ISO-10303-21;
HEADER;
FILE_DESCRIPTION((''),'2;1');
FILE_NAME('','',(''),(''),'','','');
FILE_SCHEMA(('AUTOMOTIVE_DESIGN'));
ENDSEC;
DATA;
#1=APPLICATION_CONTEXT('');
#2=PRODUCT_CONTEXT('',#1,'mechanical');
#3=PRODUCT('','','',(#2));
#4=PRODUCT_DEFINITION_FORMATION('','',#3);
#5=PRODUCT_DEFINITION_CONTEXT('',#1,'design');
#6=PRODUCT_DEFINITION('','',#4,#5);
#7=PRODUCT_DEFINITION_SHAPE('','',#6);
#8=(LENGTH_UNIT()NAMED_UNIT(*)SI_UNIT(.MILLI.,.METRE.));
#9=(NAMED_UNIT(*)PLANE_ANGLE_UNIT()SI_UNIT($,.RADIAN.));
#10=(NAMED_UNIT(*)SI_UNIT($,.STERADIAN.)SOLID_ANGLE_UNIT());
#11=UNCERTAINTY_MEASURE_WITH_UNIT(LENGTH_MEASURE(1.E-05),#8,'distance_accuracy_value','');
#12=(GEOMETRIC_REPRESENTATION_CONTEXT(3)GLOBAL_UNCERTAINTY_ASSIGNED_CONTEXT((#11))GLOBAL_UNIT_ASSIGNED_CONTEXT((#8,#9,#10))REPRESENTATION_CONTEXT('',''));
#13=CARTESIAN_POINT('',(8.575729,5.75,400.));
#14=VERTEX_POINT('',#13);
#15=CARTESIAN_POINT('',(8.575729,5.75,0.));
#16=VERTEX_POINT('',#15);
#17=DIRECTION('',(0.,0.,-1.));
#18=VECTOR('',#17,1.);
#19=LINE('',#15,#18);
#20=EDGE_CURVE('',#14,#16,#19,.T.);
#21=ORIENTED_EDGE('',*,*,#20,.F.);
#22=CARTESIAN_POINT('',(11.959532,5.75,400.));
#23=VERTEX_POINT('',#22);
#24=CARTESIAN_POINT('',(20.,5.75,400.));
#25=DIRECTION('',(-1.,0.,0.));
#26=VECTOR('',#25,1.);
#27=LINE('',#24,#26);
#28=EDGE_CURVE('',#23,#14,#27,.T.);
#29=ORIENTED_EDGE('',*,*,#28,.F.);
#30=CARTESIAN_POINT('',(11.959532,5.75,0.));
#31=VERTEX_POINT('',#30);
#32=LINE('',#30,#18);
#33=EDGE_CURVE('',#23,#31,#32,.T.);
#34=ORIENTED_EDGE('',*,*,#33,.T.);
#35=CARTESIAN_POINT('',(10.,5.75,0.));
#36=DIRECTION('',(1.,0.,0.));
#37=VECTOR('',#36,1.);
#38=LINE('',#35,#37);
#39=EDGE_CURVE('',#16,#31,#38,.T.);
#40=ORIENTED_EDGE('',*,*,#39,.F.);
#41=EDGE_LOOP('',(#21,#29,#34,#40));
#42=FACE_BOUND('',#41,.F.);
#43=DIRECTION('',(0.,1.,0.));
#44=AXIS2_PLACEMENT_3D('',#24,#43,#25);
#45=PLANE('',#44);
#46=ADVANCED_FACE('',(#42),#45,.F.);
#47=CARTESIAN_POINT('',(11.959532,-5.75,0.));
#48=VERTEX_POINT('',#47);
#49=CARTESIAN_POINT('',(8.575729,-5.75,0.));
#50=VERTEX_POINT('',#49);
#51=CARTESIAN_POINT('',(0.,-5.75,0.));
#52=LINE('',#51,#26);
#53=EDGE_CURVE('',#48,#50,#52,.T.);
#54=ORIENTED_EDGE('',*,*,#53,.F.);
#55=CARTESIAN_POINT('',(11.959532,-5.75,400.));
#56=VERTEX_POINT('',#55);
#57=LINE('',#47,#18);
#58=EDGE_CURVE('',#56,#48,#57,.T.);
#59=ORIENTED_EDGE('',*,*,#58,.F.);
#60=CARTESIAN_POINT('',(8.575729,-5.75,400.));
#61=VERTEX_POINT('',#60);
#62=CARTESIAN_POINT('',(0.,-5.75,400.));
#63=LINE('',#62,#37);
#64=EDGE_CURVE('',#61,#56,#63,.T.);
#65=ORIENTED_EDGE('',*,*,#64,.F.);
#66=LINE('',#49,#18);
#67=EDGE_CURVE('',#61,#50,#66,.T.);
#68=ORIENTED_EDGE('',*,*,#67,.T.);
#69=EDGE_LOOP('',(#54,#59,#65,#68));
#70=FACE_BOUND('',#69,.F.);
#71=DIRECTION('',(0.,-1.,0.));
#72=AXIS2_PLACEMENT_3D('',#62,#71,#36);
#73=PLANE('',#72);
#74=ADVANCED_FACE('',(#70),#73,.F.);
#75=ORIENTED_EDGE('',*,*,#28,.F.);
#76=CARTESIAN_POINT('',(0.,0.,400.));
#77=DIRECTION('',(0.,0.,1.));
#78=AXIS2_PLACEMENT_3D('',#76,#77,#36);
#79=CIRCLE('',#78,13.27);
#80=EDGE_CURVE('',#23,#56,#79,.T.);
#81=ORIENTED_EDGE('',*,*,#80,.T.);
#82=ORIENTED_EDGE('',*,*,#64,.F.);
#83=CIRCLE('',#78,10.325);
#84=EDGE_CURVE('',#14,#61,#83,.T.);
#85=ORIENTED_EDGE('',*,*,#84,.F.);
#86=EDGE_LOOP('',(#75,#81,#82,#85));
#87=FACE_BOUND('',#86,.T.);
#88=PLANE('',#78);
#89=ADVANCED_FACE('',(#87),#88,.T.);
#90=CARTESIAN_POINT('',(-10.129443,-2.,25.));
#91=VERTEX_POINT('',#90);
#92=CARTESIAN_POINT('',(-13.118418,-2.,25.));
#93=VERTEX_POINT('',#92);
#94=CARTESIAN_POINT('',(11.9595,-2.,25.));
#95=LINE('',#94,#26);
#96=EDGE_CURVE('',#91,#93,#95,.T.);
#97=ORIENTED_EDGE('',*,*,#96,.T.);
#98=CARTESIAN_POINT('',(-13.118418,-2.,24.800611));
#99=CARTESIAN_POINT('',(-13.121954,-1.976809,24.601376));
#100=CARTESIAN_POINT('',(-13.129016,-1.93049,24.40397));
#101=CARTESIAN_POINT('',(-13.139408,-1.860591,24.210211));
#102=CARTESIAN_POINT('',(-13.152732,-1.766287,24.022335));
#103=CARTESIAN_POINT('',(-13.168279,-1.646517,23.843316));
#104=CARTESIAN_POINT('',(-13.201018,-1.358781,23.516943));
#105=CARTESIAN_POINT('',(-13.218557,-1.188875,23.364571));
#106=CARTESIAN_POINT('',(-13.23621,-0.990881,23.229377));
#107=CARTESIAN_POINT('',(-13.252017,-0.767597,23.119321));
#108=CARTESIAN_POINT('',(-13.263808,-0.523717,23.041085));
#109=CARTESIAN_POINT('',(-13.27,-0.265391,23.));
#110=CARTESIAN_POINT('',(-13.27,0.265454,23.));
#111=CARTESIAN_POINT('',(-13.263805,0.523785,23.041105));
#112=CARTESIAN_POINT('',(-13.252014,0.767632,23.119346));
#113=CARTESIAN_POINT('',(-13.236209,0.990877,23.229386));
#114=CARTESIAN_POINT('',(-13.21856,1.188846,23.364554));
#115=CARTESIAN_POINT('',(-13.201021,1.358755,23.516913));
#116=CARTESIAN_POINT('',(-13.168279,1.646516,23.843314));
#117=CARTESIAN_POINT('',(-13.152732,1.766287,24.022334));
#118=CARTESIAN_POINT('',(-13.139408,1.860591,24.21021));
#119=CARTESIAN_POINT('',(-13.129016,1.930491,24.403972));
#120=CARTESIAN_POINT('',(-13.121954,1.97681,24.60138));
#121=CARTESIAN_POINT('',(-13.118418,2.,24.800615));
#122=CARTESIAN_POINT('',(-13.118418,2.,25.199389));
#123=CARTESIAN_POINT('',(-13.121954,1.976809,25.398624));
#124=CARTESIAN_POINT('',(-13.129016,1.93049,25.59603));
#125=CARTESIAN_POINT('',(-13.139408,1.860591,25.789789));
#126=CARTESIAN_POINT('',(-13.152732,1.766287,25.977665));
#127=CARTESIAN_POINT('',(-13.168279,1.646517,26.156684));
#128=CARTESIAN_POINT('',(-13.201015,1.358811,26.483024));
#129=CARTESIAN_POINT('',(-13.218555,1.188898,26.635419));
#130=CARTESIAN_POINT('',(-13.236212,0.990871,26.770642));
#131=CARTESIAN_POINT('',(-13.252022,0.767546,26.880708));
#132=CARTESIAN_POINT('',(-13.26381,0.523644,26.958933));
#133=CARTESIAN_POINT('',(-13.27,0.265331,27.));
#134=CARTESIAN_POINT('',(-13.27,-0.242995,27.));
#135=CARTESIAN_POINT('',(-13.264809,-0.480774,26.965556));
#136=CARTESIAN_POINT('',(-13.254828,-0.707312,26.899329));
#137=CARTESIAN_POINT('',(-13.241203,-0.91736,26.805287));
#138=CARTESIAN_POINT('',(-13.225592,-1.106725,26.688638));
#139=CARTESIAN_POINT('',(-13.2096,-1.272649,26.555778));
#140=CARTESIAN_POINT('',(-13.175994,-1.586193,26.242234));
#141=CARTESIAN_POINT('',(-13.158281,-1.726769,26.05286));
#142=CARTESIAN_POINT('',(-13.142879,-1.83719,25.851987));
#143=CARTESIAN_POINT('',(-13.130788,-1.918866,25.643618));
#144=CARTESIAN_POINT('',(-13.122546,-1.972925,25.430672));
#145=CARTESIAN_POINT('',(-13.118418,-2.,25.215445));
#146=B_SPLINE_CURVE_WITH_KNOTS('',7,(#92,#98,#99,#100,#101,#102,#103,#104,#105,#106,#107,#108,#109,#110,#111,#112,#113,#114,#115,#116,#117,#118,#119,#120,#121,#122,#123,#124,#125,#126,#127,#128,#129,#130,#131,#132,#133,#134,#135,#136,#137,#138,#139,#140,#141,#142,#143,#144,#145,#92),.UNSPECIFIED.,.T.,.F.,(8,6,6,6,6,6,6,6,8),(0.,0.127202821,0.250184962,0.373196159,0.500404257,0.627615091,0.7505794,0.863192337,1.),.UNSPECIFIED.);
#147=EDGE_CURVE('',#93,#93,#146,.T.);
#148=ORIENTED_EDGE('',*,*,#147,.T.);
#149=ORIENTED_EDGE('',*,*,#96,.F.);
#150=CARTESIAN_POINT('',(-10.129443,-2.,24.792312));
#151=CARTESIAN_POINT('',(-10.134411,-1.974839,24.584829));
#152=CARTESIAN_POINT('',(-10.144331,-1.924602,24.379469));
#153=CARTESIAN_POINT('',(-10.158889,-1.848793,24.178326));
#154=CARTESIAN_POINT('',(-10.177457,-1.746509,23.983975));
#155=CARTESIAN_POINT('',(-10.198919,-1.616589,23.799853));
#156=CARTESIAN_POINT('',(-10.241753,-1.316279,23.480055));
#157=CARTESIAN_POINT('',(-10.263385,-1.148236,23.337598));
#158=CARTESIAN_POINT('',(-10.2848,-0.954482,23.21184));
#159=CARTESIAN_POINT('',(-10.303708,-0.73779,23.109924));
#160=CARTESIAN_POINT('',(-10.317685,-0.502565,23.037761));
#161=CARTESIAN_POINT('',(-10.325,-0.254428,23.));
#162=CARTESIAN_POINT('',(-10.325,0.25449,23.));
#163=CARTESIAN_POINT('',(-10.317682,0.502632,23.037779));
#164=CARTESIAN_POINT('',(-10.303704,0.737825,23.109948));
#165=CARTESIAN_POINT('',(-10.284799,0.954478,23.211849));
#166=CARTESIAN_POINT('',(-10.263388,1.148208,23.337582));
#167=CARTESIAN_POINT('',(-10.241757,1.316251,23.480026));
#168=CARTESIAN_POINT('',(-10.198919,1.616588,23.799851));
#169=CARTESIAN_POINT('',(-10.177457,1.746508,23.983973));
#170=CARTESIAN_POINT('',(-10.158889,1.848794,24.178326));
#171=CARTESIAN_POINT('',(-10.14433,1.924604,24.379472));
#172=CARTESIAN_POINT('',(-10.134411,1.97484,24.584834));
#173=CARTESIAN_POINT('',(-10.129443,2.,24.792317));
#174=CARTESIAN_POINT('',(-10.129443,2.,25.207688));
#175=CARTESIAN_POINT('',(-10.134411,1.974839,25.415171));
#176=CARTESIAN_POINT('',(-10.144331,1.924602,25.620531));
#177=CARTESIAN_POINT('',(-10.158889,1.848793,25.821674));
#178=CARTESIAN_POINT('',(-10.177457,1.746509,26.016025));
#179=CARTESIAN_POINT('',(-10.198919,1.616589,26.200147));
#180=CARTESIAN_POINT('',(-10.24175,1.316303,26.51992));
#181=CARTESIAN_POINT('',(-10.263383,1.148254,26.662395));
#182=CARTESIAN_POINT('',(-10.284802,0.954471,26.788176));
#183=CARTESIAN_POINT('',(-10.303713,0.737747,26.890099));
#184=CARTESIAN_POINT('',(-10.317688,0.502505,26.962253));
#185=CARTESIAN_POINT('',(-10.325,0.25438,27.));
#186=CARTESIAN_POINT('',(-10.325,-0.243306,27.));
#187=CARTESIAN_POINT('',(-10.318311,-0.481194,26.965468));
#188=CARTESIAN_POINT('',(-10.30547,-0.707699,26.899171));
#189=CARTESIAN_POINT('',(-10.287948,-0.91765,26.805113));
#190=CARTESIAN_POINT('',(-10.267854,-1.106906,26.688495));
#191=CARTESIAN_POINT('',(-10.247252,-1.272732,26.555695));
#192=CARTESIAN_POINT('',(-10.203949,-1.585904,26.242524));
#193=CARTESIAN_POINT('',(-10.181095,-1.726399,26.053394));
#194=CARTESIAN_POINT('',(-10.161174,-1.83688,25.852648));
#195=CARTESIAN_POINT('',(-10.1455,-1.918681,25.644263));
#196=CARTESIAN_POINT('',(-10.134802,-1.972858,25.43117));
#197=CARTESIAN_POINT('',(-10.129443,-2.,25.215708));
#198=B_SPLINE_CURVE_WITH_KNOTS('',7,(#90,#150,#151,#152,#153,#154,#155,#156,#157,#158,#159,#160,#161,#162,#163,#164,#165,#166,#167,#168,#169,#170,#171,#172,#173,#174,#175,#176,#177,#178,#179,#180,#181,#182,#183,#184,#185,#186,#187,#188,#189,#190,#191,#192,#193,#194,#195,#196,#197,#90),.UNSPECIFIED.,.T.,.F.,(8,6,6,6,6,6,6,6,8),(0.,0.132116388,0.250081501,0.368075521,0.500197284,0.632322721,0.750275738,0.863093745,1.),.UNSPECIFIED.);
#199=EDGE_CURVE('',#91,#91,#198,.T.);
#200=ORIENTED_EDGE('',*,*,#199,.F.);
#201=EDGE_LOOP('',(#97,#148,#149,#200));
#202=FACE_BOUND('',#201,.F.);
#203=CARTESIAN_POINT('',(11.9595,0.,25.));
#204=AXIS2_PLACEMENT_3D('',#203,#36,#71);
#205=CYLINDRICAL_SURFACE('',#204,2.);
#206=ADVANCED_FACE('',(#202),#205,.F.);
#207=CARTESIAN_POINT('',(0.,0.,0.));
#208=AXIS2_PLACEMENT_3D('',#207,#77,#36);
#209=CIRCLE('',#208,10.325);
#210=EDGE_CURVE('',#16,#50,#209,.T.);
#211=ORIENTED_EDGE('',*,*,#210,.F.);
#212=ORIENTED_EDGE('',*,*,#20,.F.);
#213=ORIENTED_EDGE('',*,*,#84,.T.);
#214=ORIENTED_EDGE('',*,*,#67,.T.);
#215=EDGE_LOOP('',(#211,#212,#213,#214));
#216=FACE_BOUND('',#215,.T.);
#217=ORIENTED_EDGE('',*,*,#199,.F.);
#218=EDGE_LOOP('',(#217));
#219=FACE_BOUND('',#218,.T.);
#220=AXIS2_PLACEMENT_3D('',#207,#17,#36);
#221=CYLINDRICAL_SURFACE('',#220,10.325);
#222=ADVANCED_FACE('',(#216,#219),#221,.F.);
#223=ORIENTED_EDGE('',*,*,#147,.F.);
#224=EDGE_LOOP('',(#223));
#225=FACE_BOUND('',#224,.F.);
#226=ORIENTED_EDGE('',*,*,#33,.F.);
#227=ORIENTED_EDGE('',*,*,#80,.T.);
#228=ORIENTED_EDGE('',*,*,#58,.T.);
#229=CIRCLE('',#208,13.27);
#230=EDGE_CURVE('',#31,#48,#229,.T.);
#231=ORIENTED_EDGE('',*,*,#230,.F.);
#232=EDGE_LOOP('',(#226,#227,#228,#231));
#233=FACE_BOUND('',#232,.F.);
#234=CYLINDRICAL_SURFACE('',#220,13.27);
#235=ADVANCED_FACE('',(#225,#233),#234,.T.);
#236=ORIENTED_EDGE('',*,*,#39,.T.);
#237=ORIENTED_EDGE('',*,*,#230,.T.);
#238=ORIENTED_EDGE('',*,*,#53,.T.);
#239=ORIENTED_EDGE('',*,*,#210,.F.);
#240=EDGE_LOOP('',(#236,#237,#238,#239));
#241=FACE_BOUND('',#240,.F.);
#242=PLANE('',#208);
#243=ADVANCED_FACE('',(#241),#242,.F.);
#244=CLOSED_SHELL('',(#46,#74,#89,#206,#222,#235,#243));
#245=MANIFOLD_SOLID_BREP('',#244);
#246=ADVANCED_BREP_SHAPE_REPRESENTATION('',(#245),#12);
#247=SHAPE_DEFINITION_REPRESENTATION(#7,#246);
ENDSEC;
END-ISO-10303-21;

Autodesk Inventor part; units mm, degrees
ref_plane "YZ Plane" through (0, 0, 0) normal (1, 0, 0) x (0, 1, 0)
ref_plane "XZ Plane" through (0, 0, 0) normal (0, 1, 0) x (-1, 0, 0)
sketch "Sketch1" plane through (0, 0, 0) normal (0, 0, 1) x (1, 0, 0)
  circle A0 centre (0, 0) radius 13.27
  circle A1 centre (0, 0) radius 10.325
  dimension "d0" = 26.54
  dimension "d1" = 20.65
extrude "Extrusion1" add sketch "Sketch1" along normal blind 400
sketch "Sketch6" plane through (0, 0, 400) normal (0, 0, 1) x (1, 0, 0)
  line L0 (0, -5.75) -> (20, -5.75)
  line L1 (20, -5.75) -> (20, 5.75)
  line L2 (20, 5.75) -> (0, 5.75)
  line L3 (0, 5.75) -> (0, -5.75)
  point P0 (0, 0)
  point P1 (0, 0)
  dimension "d13" = 20
  dimension "d14" = 11.5
extrude "Extrusion5" cut sketch "Sketch6" against normal up to next
ref_plane "Work Plane2" through (11.9595, 5.75, 400) normal (1, 0, 0) x (0, -1, 0)
sketch "Sketch7" plane through (11.9595, 5.75, 400) normal (1, 0, 0) x (0, -1, 0)
  circle A0 centre (5.75, 375) radius 2
  line L0 (16.075, 0) -> (-4.575, 0) projected
  line L1 (-4.575, 400) -> (16.075, 400) projected
  point P0 (5.75, 400)
  point P1 (11.5, 0)
  point P2 (0, 0)
  point P3 (0, 400)
  point P4 (11.5, 400)
  dimension "d17" = 4
  dimension "d21" = 25
extrude "Extrusion6" cut sketch "Sketch7" against normal through all
properties part number "inner_sheath" material "Acetal Resin, White"
